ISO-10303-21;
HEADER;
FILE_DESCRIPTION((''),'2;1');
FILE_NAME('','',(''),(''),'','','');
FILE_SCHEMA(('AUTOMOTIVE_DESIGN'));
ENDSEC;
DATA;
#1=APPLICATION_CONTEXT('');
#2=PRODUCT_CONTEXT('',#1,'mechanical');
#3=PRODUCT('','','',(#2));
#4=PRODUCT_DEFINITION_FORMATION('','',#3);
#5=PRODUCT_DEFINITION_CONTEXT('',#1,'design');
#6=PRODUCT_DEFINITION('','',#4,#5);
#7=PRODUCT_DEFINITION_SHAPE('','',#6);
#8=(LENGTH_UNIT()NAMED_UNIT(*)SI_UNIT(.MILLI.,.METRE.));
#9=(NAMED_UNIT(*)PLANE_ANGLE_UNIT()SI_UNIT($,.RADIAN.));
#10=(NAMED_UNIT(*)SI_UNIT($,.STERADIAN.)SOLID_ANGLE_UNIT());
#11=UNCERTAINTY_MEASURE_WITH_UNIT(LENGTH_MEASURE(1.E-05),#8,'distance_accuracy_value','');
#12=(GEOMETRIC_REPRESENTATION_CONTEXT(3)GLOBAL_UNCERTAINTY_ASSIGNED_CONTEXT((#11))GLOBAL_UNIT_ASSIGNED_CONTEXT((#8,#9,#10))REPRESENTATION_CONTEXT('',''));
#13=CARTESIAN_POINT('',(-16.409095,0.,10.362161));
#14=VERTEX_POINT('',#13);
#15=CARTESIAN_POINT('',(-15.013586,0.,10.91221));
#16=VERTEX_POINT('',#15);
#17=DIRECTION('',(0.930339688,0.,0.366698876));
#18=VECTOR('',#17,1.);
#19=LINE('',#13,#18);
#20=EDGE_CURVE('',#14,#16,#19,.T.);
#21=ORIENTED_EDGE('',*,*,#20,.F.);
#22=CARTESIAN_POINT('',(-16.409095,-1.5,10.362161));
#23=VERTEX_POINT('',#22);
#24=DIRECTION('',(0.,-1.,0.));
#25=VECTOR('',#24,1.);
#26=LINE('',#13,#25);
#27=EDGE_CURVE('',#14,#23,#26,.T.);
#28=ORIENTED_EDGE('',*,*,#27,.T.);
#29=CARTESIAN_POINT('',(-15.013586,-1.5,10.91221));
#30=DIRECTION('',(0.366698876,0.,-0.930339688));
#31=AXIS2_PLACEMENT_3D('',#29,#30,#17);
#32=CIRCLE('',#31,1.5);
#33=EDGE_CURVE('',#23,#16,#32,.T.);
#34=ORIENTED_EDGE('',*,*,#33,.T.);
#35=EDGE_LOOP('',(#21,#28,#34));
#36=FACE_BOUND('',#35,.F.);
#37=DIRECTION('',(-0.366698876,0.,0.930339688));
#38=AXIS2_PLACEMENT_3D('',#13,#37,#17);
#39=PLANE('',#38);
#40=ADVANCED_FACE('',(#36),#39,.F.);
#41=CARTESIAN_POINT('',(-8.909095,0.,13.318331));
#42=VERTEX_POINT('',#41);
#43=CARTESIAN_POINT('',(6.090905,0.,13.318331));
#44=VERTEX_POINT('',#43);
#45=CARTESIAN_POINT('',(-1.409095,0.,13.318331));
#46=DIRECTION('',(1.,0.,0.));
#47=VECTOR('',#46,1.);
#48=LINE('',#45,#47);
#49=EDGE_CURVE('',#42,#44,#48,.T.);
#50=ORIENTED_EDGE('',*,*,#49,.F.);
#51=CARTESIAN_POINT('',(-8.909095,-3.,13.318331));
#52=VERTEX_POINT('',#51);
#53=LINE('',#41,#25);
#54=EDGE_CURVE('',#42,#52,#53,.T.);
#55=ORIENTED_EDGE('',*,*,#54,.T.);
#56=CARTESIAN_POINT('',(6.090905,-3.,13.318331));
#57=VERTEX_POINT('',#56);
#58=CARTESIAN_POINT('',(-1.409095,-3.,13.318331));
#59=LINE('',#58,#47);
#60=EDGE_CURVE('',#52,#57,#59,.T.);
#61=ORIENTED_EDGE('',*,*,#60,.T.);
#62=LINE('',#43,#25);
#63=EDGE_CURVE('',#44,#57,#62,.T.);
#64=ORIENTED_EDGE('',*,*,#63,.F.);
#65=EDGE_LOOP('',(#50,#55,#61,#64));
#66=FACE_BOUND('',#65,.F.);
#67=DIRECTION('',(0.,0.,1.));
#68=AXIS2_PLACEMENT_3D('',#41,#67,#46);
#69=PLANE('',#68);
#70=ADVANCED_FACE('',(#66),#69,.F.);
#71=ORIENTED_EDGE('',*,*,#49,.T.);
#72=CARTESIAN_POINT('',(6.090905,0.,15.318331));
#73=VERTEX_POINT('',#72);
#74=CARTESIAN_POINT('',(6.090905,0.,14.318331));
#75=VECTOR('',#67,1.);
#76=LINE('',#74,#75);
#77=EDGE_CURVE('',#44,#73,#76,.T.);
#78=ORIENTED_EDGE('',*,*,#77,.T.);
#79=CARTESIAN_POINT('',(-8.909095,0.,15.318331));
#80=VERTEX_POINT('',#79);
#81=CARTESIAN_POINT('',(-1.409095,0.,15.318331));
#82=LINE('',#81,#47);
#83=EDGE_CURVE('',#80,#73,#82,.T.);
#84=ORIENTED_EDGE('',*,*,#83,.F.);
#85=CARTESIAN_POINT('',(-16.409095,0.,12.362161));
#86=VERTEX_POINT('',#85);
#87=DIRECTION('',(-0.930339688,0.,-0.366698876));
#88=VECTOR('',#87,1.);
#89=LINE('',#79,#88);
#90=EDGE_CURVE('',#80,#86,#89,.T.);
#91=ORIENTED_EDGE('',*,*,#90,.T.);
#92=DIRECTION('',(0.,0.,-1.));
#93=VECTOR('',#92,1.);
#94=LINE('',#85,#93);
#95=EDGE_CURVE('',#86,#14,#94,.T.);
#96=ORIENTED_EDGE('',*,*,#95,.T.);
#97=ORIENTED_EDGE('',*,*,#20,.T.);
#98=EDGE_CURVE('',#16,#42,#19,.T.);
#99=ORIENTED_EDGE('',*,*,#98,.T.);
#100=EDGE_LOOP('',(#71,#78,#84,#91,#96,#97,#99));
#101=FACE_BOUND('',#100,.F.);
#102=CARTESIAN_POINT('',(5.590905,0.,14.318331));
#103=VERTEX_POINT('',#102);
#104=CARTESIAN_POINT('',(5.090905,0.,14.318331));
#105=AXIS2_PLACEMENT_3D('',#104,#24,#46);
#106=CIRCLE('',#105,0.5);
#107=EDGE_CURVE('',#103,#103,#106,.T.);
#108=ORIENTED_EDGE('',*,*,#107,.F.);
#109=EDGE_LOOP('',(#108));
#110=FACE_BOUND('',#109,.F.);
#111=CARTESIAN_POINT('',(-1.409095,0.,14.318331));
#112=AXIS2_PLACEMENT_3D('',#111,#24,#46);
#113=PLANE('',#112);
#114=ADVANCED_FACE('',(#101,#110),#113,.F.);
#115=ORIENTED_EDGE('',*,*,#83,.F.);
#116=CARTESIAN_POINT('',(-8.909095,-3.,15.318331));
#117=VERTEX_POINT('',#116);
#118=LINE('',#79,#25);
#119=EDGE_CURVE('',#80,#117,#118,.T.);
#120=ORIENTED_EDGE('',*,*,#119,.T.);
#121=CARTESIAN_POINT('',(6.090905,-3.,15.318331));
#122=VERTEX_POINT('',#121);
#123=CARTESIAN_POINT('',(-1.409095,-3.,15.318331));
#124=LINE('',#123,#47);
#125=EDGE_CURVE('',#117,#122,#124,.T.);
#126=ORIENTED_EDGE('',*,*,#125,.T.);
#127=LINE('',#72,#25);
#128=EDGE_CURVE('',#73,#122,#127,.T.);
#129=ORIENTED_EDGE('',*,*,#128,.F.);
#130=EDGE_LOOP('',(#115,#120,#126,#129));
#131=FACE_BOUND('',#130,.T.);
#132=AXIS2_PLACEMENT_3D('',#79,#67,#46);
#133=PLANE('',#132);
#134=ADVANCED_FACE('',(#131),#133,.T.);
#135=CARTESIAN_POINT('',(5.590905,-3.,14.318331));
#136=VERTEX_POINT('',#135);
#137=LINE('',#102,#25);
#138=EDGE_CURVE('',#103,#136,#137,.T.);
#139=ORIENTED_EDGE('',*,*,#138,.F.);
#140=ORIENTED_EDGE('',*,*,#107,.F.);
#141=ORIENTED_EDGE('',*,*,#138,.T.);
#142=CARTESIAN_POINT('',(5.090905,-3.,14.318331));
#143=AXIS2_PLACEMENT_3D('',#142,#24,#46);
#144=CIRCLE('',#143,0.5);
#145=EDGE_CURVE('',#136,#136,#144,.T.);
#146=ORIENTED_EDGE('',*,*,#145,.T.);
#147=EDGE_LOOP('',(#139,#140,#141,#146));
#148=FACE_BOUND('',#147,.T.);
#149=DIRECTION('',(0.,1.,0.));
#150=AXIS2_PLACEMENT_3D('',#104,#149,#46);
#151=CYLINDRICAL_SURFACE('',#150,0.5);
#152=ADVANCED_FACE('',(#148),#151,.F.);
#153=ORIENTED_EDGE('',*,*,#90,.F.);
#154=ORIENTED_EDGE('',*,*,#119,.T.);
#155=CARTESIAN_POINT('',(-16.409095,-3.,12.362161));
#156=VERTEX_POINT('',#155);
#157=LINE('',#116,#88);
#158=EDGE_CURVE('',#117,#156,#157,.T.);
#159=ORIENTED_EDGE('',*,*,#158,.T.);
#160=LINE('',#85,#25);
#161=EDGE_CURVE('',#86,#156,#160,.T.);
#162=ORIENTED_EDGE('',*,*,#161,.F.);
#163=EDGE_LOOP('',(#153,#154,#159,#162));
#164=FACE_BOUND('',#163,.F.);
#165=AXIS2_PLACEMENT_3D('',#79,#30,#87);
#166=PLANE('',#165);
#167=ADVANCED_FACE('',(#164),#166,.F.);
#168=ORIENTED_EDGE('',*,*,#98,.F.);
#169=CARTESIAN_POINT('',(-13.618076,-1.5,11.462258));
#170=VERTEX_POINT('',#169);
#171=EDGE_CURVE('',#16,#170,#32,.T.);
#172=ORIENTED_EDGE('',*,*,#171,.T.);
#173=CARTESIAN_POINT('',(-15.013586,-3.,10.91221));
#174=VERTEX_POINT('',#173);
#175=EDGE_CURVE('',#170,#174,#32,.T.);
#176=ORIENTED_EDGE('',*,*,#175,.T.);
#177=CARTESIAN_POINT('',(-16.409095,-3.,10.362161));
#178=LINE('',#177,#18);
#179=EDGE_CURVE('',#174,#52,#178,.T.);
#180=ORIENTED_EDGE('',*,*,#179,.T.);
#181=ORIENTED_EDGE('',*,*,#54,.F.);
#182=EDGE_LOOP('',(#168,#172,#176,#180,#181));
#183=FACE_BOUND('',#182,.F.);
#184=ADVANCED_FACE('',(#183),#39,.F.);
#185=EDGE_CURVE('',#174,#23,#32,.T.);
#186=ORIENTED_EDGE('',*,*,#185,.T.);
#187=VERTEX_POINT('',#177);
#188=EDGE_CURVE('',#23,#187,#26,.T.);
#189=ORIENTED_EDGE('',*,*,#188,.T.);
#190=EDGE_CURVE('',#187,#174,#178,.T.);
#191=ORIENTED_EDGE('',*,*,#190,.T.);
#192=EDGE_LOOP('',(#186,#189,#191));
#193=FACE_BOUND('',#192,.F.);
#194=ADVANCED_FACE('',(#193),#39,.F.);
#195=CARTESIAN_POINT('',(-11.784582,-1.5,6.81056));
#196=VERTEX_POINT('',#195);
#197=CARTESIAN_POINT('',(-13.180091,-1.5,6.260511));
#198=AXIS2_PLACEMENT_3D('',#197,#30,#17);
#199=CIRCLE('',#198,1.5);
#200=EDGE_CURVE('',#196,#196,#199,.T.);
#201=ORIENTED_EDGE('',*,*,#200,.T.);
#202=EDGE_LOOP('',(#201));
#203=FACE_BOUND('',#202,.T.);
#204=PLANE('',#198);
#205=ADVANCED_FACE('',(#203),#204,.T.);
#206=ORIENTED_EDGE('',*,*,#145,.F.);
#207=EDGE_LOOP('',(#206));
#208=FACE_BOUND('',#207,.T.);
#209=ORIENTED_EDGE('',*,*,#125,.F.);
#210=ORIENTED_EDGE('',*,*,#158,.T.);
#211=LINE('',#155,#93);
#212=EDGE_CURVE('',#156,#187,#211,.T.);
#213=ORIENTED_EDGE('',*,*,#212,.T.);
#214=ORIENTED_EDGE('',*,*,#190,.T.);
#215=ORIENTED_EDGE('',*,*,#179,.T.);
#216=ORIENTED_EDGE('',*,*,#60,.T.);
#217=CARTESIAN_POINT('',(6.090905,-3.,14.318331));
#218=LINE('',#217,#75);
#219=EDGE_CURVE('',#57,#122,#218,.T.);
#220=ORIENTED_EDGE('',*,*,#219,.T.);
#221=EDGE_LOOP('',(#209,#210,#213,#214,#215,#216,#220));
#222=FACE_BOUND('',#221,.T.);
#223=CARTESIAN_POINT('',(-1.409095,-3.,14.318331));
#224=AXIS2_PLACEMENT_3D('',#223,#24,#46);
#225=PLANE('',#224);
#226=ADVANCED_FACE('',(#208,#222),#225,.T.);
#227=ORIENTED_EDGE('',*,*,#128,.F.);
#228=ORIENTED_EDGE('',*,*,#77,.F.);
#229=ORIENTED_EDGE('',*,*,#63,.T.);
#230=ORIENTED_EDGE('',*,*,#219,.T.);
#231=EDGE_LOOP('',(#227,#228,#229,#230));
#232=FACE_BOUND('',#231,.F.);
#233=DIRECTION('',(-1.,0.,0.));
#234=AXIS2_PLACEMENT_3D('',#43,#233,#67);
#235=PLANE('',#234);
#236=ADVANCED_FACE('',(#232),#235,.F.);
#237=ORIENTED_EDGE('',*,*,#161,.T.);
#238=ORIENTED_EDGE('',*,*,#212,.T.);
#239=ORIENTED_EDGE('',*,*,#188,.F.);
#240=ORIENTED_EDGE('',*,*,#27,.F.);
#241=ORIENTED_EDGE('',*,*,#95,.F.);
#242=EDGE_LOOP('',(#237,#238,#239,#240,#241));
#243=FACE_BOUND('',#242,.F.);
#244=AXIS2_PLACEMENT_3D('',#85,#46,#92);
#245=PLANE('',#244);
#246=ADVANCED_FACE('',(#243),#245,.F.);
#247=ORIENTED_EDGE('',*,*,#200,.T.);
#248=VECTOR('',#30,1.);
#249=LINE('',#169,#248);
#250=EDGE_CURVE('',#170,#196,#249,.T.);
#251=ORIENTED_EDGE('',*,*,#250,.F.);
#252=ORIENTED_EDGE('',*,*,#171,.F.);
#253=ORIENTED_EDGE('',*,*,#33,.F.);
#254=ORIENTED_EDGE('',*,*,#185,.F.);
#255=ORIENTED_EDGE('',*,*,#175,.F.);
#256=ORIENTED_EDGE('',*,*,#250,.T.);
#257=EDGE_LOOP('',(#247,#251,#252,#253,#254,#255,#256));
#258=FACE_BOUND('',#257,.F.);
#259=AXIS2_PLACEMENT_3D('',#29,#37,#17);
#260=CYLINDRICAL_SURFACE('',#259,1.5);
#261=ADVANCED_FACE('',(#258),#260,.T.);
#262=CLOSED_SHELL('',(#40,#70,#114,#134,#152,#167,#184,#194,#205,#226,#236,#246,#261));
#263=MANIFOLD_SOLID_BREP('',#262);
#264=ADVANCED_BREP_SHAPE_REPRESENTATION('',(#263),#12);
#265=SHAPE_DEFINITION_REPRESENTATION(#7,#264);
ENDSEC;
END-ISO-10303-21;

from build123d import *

# Parameters (mm, degrees)
F0_W     = 15
F0_H     = 2
F0_R     = 0.5
F1_DEPTH = 3
F2_R     = 1.5
F3_DEPTH = 5


with BuildPart() as f1:
    # F0 (on Front) → F1 (new body)
    with BuildSketch(Plane.XZ):
        with Locations((-1.4090953767, 14.3183305617)):
            Rectangle(F0_W, F0_H)
        with Locations((5.0909046233, 14.3183305617)):
            Circle(F0_R, mode=Mode.SUBTRACT)
        Polygon((-8.9090953767, 13.3183305617), (-8.9090953767, 15.3183305617), (-16.4090953767, 12.3621613234), (-16.4090953767, 10.3621613234), align=None)
    extrude(amount=F1_DEPTH)

    # F2 (on face) → F3 (join)
    with BuildSketch(Plane(origin=(-5.7415974535, 0, 14.5668185514), x_dir=(0.9303396878, 0, 0.3666988755), z_dir=(0.3666988755, 0, -0.9303396878))):
        with Locations((-9.9662397649, 1.5)):
            Circle(F2_R)
    extrude(amount=F3_DEPTH)


solid = f1.part
